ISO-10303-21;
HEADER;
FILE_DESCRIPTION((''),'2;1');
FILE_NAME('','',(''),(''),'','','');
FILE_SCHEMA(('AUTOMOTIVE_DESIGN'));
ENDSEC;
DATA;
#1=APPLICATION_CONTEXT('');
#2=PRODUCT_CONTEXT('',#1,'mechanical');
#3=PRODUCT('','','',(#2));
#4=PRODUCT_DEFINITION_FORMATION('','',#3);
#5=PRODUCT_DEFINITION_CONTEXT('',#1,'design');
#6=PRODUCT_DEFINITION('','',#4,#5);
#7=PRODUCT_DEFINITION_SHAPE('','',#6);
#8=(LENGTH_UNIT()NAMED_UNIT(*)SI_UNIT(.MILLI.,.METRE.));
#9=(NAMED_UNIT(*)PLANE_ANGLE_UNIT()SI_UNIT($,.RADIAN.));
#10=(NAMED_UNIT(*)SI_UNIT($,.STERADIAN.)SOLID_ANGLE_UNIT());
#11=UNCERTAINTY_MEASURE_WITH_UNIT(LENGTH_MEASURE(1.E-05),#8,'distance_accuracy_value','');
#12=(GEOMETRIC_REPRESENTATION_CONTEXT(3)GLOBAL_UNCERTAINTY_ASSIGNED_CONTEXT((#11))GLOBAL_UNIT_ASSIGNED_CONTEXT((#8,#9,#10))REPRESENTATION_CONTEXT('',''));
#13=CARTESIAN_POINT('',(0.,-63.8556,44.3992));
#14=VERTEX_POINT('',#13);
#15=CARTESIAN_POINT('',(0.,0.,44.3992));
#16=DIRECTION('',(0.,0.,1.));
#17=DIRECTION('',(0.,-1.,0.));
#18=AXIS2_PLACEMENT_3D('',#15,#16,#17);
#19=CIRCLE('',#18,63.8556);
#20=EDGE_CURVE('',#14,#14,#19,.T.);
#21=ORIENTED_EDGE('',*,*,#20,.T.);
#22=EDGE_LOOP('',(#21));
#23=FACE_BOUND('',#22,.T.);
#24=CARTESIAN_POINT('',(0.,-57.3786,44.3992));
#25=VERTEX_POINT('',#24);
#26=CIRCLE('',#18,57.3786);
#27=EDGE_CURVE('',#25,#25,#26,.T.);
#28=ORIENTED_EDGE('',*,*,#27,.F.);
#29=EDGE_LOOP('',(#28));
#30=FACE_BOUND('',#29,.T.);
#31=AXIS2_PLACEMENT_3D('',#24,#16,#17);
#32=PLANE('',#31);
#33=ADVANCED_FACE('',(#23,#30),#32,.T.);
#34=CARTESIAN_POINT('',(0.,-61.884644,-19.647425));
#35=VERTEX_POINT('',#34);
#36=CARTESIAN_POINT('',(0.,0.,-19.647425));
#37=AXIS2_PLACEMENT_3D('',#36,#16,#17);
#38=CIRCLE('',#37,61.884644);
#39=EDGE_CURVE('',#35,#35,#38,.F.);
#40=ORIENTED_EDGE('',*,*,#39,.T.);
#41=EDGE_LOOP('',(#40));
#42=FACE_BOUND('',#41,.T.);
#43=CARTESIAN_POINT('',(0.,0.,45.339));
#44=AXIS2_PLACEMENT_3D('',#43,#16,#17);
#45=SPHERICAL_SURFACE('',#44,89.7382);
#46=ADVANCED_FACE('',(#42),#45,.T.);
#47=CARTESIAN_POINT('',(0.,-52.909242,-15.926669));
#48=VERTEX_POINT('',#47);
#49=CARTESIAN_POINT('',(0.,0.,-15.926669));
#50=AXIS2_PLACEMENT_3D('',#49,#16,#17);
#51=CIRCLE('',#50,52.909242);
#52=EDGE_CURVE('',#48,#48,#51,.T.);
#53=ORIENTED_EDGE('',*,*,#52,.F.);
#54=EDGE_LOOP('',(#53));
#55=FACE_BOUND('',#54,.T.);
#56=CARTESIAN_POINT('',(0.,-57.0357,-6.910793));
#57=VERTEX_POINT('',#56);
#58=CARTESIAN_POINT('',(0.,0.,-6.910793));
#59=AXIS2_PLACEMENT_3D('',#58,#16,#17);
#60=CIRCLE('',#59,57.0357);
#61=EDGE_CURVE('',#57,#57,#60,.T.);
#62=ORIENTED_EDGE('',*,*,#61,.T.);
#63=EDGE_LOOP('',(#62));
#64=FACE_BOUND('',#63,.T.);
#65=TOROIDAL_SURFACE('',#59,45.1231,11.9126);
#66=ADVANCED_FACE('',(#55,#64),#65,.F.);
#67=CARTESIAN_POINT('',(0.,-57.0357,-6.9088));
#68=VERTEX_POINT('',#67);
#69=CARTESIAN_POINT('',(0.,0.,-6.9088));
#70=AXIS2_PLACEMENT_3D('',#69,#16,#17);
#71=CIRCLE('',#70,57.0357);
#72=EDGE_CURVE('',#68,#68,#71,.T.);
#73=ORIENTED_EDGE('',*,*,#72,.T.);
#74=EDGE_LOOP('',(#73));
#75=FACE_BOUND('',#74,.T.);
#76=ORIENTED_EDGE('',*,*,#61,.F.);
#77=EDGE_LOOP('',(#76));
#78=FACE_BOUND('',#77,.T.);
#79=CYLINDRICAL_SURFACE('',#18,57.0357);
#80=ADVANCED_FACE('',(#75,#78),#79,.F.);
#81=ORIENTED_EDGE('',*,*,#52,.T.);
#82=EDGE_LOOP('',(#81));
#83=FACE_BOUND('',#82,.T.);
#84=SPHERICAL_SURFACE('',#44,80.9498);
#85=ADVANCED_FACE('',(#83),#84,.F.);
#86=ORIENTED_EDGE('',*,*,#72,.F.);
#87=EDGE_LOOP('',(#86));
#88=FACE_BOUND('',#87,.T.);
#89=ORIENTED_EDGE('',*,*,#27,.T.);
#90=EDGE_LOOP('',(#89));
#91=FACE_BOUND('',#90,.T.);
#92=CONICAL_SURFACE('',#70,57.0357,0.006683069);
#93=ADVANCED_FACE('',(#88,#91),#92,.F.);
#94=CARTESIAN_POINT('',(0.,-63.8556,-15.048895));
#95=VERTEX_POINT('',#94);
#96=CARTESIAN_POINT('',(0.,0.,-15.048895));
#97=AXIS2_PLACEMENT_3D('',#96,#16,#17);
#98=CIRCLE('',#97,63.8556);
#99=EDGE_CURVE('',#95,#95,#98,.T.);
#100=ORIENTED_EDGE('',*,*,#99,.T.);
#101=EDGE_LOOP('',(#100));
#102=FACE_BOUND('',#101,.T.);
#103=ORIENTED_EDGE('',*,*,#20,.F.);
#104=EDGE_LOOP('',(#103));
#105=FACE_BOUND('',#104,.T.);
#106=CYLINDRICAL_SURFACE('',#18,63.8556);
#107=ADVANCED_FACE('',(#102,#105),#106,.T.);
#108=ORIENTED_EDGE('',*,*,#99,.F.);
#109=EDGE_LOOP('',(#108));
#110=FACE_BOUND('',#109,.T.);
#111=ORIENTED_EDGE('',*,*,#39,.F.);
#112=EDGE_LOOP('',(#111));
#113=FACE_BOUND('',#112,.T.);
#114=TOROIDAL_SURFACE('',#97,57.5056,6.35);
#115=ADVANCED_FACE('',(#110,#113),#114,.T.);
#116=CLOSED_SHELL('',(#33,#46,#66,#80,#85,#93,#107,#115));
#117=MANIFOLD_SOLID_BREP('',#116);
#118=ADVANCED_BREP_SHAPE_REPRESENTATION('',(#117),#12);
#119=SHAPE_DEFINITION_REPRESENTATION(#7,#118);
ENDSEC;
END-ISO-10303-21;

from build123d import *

# Parameters (mm, degrees)
FILLET1_R = 6.35


with BuildPart() as part:
    # Sketch2 → Revolve1 (revolve)
    with BuildSketch(Plane(origin=(0, 0, 0), x_dir=(0, 0, -1), z_dir=(1, 0, 0))):
        with BuildLine():
            Line((35.6108, 0), (44.3992, 0))
            ThreePointArc((44.3992, 0), (37.458984081, -34.604022474), (17.711827813, -63.8556))
            Line((17.711827813, -63.8556), (-44.3992, -63.8556))
            Line((-44.3992, -63.8556), (-44.3992, -57.3786))
            Line((-44.3992, -57.3786), (6.9088, -57.0357))
            Line((6.9088, -57.0357), (6.910792633, -57.0357))
            ThreePointArc((6.910792633, -57.0357), (11.868455582, -55.955071974), (15.926669287, -52.909241979))
            ThreePointArc((15.926669287, -52.909241979), (30.530340961, -28.226108874), (35.6108, 0))
        make_face()
    revolve(axis=Axis((0, 0, 44.3992), (0, 0, -1)))

    # Fillet1
    fillet1_edges = [part.edges().sort_by_distance(p)[0] for p in [
        (0, 63.8556, -17.711827813),
    ]]
    fillet(fillet1_edges, radius=FILLET1_R)


solid = part.part
